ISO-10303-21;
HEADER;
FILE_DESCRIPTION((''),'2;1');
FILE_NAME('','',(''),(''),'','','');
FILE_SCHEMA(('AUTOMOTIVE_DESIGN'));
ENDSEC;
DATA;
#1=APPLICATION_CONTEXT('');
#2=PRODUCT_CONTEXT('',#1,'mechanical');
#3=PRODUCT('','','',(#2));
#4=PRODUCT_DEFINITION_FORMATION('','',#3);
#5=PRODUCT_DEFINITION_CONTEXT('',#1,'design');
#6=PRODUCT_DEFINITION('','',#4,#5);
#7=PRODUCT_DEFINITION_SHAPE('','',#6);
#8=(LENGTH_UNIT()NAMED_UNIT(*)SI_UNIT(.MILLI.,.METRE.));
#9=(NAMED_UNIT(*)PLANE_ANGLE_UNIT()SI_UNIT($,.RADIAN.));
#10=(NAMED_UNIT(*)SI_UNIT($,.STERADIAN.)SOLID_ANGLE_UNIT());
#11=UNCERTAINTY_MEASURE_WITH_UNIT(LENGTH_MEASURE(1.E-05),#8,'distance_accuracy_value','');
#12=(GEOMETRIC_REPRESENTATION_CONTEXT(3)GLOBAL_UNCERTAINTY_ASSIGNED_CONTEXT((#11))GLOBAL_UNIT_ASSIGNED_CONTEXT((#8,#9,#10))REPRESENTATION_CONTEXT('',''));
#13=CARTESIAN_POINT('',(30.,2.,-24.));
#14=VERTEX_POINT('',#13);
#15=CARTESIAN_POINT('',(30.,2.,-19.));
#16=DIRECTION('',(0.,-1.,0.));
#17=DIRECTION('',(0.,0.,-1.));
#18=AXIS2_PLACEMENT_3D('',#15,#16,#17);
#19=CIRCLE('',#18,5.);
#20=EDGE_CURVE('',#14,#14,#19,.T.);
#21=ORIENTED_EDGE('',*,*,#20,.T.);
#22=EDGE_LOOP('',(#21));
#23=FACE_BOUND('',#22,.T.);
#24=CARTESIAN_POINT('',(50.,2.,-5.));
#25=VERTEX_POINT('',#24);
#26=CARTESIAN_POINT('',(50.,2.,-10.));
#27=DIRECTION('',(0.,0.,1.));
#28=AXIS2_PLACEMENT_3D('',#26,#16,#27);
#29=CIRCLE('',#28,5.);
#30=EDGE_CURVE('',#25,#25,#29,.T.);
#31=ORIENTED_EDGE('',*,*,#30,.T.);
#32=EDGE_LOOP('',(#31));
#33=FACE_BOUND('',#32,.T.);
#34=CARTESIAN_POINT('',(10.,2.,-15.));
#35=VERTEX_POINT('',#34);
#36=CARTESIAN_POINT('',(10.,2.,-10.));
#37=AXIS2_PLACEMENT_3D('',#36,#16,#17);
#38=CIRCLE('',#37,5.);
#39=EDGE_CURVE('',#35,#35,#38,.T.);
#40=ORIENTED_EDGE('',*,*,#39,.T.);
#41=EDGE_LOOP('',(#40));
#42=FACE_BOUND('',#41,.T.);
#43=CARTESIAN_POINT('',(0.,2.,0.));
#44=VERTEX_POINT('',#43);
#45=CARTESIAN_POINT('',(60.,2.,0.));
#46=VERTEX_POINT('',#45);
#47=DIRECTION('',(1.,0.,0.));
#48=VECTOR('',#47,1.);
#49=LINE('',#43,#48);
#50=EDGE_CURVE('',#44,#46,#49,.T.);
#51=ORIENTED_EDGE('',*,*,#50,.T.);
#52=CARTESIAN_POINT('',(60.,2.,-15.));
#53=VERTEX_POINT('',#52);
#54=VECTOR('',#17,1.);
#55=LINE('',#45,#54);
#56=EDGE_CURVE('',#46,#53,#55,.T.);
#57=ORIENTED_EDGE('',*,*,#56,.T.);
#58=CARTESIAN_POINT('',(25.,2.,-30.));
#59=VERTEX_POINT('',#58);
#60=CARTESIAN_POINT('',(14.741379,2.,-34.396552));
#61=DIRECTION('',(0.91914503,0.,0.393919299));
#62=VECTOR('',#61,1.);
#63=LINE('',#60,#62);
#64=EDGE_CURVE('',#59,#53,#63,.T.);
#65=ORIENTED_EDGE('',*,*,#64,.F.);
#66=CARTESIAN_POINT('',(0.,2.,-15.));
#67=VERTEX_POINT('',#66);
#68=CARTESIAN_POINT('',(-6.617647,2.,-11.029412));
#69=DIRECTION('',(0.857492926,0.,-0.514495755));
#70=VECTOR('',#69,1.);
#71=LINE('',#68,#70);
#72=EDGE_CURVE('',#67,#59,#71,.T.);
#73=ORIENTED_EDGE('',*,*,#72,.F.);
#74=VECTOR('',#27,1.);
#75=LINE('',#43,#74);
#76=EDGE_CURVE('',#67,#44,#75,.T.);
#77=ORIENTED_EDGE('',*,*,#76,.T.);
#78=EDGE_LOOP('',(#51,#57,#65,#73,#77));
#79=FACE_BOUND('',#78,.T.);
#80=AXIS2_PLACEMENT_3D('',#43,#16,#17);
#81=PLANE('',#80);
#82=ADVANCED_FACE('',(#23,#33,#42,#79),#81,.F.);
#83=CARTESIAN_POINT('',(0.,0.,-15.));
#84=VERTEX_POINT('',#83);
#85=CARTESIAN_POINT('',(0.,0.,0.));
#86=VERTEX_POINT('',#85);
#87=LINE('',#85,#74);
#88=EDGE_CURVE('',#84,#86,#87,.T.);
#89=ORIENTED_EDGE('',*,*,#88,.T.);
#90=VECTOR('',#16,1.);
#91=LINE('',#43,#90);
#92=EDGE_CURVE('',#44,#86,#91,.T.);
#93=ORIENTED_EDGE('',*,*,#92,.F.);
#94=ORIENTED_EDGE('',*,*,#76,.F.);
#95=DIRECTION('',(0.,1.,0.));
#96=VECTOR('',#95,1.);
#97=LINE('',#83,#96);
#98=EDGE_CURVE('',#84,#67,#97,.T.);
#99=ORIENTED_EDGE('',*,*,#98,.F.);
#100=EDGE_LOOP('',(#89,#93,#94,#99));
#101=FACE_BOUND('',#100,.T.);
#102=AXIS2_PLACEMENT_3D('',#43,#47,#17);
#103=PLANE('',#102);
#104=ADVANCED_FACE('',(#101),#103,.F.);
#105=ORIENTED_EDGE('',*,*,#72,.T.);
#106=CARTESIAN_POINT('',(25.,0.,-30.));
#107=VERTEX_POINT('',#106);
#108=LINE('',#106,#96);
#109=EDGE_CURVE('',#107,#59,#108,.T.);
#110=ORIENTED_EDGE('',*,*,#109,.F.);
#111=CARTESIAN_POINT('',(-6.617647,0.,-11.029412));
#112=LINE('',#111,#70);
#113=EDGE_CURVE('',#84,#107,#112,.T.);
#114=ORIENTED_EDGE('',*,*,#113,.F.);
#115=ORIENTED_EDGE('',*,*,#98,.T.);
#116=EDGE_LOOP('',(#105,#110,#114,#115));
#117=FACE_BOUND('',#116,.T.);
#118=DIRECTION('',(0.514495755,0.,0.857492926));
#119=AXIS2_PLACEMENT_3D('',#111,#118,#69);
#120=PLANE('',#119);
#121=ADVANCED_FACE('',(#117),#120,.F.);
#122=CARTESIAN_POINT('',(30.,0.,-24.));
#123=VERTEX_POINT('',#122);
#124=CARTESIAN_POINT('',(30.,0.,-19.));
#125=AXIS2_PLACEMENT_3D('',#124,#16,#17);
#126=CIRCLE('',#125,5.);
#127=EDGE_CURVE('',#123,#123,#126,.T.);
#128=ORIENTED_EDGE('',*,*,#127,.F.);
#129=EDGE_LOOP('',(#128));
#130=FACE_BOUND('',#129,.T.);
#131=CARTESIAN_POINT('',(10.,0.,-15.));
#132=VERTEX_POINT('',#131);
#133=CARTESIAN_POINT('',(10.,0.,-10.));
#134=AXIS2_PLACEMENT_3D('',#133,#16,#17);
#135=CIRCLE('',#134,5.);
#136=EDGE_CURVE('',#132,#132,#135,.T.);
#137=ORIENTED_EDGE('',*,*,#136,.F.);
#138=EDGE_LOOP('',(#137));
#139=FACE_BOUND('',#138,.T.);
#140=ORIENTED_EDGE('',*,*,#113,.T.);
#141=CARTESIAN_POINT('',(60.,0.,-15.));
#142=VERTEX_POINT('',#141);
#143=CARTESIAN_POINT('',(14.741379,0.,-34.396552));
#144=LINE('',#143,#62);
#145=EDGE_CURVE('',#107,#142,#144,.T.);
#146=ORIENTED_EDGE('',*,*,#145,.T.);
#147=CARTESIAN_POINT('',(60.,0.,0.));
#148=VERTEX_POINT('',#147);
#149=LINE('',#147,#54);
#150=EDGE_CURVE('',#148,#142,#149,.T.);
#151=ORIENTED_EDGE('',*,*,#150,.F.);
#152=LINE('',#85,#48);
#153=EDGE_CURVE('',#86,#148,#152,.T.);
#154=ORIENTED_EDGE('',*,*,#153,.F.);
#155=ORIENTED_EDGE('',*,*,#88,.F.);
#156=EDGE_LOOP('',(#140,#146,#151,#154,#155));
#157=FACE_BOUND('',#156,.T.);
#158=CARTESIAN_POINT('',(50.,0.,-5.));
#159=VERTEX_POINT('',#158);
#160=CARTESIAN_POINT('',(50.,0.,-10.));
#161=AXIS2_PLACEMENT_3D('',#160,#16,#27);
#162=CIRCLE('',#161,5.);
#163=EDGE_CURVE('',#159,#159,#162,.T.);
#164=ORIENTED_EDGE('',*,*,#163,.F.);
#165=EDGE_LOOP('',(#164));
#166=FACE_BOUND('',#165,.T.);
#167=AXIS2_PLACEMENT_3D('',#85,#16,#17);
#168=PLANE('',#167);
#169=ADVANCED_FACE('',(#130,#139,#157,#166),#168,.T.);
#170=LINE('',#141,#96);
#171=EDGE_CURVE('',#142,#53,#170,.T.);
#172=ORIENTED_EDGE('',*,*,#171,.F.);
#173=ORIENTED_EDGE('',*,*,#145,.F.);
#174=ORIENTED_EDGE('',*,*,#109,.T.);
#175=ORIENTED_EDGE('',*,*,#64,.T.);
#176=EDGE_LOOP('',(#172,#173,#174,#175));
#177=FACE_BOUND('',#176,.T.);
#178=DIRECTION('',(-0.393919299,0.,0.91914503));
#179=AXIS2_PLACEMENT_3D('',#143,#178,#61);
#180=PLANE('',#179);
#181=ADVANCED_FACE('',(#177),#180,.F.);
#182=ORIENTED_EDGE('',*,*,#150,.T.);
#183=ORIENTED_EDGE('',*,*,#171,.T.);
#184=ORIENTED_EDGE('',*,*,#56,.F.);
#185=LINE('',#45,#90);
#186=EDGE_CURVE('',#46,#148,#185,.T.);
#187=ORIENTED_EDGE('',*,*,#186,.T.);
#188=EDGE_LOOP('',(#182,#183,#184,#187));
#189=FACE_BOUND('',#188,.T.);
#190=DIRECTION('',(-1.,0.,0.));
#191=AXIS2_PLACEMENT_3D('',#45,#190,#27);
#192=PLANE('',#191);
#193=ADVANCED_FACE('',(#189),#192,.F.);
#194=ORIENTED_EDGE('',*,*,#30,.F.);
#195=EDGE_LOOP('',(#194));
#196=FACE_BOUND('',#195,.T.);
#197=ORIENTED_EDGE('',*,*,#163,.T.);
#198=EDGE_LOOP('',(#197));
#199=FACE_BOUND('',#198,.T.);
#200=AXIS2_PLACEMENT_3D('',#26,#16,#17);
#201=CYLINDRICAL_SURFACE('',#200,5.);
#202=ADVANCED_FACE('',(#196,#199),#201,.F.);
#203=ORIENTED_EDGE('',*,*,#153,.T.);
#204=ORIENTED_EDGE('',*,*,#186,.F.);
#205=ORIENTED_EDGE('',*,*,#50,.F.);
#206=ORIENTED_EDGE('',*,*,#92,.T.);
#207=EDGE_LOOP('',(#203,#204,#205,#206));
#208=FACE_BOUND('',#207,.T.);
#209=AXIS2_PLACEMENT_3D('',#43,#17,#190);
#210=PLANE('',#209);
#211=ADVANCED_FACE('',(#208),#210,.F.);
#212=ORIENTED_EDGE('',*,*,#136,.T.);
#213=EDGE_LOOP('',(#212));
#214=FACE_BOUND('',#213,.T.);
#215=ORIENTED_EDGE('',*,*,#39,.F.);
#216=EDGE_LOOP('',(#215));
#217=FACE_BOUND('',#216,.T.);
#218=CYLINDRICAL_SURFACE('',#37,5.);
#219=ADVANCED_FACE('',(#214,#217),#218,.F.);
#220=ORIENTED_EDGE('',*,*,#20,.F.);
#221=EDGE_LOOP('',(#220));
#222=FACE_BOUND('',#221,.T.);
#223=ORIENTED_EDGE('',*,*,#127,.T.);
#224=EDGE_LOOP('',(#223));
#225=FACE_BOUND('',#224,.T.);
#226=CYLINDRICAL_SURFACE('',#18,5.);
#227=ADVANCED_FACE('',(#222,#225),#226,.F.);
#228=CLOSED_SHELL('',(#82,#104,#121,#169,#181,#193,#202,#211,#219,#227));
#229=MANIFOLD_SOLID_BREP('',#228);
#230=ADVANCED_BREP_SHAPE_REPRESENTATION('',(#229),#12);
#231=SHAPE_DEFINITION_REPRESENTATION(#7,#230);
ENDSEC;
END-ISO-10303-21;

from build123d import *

# Parameters (mm, degrees)
SKETCH1_W           = 60
SKETCH1_H           = 30
BOSS_EXTRUDE1_DEPTH = 2
CUT_EXTRUDE1_DEPTH  = 68.111846942
SKETCH3_R           = 5
CUT_EXTRUDE2_DEPTH  = 68.111846942


with BuildPart() as part:
    # Sketch1 → Boss-Extrude1 (new body)
    with BuildSketch(Plane(origin=(0, 0, 0), x_dir=(1, 0, 0), z_dir=(0, 1, 0))):
        with Locations((30, 15)):
            Rectangle(SKETCH1_W, SKETCH1_H)
    extrude(amount=BOSS_EXTRUDE1_DEPTH)

    # Sketch2 → Cut-Extrude1 (cut, through all)
    with BuildSketch(Plane(origin=(0, 2, 0), x_dir=(1, 0, 0), z_dir=(0, 1, 0))):
        Polygon((60, 15), (60, 30), (25, 30), align=None)
        Polygon((0, 15), (25, 30), (0, 30), align=None)
    extrude(amount=-CUT_EXTRUDE1_DEPTH, mode=Mode.SUBTRACT)

    # Sketch3 → Cut-Extrude2 (cut, through all)
    with BuildSketch(Plane.XZ):
        with Locations(Location((10, -10, 0), (0, 0, 270))):
            Circle(SKETCH3_R)
        with Locations(Location((50, -10, 0), (0, 0, 90))):
            Circle(SKETCH3_R)
        with Locations(Location((30, -19, 0), (0, 0, 270))):
            Circle(SKETCH3_R)
    extrude(amount=-CUT_EXTRUDE2_DEPTH, mode=Mode.SUBTRACT)


solid = part.part
